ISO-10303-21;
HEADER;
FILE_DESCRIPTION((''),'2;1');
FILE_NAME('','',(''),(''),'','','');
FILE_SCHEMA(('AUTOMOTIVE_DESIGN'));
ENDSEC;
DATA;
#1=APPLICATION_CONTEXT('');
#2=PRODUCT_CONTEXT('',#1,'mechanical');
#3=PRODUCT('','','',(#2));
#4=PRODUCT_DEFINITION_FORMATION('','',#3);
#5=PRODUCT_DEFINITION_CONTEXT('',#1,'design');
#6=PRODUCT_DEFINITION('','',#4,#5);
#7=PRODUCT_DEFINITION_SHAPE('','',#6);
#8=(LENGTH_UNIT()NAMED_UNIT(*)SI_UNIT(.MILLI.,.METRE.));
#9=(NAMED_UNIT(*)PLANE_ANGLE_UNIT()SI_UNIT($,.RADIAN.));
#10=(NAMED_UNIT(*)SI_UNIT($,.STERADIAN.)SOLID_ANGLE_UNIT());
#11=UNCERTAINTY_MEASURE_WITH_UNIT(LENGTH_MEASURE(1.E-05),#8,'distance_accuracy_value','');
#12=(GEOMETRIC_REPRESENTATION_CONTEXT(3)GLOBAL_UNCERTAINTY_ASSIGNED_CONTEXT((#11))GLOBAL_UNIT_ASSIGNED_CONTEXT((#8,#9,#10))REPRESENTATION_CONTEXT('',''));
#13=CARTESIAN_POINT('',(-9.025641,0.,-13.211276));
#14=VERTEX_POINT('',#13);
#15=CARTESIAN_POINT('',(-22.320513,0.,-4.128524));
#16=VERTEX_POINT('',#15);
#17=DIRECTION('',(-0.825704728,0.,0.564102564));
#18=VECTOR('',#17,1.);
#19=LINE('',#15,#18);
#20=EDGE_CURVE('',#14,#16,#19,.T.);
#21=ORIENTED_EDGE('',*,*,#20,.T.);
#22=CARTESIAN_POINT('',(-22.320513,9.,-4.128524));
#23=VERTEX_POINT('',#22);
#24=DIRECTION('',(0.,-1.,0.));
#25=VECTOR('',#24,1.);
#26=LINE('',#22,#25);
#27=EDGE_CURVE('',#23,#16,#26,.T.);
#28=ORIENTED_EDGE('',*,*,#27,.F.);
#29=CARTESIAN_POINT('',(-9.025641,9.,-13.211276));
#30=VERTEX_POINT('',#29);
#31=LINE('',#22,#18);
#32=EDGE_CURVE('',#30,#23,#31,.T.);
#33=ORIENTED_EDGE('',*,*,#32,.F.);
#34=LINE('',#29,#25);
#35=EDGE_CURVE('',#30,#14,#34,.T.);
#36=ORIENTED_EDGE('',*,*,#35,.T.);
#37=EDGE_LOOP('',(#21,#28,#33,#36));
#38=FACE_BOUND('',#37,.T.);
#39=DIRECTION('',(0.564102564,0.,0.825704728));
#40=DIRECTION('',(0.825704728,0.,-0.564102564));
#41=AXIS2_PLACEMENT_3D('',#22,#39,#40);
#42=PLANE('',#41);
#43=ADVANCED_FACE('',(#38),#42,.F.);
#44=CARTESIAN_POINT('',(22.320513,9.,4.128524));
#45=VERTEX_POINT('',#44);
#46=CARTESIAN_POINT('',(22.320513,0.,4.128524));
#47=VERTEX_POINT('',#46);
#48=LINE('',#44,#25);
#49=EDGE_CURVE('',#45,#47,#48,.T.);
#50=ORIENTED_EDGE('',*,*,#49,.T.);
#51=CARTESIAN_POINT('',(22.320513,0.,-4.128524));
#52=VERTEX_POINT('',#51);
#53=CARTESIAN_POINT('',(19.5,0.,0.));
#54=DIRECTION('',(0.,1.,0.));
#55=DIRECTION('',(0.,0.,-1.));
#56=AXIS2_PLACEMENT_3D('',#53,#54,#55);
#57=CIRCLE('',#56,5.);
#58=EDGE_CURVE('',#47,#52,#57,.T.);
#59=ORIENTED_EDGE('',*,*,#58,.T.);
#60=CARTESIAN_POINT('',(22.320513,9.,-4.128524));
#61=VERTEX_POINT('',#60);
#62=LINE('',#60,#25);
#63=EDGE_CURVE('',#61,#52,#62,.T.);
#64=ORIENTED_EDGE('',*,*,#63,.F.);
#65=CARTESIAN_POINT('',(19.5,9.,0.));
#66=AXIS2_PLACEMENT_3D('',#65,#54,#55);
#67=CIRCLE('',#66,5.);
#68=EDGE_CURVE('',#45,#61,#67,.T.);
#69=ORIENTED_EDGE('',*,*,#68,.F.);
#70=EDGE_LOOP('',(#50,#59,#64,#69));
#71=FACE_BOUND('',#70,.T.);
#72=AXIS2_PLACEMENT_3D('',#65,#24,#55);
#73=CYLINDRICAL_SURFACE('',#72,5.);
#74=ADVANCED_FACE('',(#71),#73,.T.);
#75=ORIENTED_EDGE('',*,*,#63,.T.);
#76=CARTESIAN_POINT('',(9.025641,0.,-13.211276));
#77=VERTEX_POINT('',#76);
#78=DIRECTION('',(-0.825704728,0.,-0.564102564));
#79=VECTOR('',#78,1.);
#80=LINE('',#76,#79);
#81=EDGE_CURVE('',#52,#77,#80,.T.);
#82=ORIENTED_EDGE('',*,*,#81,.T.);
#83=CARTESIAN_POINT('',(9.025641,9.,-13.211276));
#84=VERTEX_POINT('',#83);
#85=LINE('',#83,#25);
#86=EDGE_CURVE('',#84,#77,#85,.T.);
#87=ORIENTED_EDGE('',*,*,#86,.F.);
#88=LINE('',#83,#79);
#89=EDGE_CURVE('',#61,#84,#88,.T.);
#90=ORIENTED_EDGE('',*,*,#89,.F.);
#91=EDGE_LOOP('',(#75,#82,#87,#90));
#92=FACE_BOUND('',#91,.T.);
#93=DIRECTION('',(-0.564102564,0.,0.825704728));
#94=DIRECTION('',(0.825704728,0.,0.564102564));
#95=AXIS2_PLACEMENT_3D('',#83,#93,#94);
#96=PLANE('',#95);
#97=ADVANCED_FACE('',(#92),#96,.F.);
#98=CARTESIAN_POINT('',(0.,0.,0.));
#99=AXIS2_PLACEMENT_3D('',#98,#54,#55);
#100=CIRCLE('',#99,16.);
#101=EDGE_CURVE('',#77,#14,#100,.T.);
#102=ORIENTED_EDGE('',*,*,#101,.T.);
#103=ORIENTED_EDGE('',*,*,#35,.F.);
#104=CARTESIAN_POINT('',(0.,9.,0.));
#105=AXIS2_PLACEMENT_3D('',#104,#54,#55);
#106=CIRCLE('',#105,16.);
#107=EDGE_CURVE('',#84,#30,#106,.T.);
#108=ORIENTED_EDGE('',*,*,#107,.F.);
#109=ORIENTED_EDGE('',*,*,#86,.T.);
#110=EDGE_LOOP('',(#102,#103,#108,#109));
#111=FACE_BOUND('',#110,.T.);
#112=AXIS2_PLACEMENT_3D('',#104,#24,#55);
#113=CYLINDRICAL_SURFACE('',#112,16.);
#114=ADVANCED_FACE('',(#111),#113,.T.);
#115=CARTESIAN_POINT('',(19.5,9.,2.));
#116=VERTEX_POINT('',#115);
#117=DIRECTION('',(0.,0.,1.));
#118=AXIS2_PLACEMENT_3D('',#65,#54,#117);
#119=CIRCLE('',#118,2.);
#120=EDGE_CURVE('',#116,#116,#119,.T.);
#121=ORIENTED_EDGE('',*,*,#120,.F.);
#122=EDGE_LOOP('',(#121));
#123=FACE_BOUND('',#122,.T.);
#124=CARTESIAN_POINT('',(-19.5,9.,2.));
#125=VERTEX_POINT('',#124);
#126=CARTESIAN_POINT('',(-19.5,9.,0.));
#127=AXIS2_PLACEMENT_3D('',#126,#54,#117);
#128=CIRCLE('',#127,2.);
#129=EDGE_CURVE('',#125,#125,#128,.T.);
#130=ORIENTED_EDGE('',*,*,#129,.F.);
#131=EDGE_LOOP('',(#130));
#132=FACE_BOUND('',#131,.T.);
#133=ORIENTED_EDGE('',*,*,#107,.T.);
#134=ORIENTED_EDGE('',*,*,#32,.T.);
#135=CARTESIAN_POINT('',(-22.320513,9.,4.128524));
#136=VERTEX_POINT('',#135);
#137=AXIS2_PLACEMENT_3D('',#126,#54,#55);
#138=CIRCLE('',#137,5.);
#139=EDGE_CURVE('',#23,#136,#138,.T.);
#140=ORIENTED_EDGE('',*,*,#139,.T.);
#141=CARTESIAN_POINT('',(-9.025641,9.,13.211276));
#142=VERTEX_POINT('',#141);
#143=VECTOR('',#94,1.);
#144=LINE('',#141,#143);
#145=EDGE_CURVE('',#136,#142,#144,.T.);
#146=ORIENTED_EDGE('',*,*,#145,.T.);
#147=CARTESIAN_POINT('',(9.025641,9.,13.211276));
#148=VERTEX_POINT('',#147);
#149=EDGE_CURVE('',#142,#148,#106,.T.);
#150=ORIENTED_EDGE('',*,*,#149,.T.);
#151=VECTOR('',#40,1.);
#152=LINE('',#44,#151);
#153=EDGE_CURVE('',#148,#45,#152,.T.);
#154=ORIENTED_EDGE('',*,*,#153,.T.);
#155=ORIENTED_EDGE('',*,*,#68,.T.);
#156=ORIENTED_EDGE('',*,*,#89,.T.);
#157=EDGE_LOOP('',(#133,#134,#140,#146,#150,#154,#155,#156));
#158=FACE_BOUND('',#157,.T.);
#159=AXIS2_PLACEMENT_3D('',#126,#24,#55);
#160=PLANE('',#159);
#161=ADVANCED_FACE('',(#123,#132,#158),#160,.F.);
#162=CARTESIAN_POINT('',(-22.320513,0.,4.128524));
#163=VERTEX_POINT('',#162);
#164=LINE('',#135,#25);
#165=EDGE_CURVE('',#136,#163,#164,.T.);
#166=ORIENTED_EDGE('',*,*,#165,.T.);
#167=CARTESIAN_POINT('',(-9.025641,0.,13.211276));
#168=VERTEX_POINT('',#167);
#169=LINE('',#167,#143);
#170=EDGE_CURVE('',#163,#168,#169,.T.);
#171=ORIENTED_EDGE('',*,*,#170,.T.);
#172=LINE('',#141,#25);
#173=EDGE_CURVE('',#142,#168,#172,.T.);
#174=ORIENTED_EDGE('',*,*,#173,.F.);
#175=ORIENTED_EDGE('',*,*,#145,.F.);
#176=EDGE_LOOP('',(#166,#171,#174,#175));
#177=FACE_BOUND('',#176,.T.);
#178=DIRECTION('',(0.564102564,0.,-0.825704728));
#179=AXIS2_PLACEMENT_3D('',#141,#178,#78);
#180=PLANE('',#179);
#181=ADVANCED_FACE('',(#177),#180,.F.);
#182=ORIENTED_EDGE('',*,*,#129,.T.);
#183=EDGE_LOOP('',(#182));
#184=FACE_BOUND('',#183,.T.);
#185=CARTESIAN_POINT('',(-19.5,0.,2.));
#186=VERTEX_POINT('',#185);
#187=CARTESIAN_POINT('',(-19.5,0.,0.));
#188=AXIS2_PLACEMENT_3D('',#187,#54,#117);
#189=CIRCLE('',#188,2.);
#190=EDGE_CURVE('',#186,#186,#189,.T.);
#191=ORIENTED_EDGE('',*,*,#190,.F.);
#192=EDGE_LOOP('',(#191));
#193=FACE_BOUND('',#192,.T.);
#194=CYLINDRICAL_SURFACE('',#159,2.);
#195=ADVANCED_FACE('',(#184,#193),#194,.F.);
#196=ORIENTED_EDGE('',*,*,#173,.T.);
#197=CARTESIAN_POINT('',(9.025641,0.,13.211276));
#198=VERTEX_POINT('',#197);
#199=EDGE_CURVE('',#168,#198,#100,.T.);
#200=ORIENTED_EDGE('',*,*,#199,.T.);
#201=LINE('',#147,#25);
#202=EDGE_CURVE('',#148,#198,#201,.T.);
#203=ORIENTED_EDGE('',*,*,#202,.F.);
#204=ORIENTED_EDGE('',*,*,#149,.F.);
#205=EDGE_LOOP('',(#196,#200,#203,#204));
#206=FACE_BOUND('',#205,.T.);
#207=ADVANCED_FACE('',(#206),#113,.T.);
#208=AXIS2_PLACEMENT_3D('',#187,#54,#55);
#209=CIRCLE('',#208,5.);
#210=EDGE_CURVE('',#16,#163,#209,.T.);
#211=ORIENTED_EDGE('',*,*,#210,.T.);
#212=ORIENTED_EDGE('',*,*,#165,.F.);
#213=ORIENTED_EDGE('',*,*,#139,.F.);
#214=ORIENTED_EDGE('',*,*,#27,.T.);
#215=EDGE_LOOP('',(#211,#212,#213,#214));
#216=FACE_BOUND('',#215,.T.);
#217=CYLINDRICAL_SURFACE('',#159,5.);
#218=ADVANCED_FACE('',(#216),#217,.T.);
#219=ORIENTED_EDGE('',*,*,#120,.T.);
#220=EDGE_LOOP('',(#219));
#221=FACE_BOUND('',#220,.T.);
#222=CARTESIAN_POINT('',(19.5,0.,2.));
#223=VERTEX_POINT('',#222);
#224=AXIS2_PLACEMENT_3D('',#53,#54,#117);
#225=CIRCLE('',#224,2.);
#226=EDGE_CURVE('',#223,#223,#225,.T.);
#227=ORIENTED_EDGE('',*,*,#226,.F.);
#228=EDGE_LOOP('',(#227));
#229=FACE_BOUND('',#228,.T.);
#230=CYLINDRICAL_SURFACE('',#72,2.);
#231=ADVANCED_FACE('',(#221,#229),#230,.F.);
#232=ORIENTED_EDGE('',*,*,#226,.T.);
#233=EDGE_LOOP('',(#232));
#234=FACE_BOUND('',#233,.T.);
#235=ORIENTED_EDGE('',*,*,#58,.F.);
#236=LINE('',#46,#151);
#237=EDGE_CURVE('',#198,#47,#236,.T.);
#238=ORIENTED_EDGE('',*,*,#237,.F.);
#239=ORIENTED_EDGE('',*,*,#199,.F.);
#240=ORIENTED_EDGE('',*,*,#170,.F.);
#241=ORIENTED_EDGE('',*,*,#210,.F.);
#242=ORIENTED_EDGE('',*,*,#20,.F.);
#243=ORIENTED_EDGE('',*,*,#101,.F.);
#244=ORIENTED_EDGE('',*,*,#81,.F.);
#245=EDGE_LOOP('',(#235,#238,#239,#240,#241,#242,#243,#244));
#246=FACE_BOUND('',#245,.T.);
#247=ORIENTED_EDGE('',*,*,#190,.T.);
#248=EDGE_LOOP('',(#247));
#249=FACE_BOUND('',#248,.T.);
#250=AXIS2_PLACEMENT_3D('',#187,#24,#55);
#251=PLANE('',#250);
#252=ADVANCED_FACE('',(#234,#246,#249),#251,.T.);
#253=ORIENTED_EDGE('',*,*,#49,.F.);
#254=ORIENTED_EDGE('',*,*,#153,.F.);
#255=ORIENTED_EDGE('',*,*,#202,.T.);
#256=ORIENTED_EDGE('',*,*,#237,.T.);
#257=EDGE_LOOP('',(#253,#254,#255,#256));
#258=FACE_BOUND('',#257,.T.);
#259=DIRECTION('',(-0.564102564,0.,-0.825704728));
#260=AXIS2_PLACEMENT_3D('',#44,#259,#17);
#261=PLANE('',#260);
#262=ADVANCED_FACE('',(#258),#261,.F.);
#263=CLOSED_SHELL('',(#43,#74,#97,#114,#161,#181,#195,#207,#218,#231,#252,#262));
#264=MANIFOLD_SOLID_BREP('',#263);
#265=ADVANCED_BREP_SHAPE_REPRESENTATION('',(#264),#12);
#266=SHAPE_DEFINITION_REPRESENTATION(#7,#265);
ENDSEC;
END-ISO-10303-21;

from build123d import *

# Parameters (mm, degrees)
SKETCH_1_R      = 2
EXTRUDE_1_DEPTH = 9


with BuildPart() as part:
    # 草圖1 → 填料-伸長1 (new body)
    with BuildSketch(Plane(origin=(0, 0, 0), x_dir=(1, 0, 0), z_dir=(0, 1, 0))):
        with BuildLine():
            Line((-22.320512821, 4.128523638), (-9.025641026, 13.211275642))
            ThreePointArc((-9.025641026, 13.211275642), (0, 16), (9.025641026, 13.211275642))
            Line((9.025641026, 13.211275642), (22.320512821, 4.128523638))
            ThreePointArc((22.320512821, 4.128523638), (24.5, 0), (22.320512821, -4.128523638))
            Line((22.320512821, -4.128523638), (9.025641026, -13.211275642))
            ThreePointArc((9.025641026, -13.211275642), (0, -16), (-9.025641026, -13.211275642))
            Line((-9.025641026, -13.211275642), (-22.320512821, -4.128523638))
            ThreePointArc((-22.320512821, -4.128523638), (-24.5, 0), (-22.320512821, 4.128523638))
        make_face()
        with Locations((19.5, 0)):
            Circle(SKETCH_1_R, mode=Mode.SUBTRACT)
        with Locations((-19.5, 0)):
            Circle(SKETCH_1_R, mode=Mode.SUBTRACT)
    extrude(amount=EXTRUDE_1_DEPTH)


solid = part.part
